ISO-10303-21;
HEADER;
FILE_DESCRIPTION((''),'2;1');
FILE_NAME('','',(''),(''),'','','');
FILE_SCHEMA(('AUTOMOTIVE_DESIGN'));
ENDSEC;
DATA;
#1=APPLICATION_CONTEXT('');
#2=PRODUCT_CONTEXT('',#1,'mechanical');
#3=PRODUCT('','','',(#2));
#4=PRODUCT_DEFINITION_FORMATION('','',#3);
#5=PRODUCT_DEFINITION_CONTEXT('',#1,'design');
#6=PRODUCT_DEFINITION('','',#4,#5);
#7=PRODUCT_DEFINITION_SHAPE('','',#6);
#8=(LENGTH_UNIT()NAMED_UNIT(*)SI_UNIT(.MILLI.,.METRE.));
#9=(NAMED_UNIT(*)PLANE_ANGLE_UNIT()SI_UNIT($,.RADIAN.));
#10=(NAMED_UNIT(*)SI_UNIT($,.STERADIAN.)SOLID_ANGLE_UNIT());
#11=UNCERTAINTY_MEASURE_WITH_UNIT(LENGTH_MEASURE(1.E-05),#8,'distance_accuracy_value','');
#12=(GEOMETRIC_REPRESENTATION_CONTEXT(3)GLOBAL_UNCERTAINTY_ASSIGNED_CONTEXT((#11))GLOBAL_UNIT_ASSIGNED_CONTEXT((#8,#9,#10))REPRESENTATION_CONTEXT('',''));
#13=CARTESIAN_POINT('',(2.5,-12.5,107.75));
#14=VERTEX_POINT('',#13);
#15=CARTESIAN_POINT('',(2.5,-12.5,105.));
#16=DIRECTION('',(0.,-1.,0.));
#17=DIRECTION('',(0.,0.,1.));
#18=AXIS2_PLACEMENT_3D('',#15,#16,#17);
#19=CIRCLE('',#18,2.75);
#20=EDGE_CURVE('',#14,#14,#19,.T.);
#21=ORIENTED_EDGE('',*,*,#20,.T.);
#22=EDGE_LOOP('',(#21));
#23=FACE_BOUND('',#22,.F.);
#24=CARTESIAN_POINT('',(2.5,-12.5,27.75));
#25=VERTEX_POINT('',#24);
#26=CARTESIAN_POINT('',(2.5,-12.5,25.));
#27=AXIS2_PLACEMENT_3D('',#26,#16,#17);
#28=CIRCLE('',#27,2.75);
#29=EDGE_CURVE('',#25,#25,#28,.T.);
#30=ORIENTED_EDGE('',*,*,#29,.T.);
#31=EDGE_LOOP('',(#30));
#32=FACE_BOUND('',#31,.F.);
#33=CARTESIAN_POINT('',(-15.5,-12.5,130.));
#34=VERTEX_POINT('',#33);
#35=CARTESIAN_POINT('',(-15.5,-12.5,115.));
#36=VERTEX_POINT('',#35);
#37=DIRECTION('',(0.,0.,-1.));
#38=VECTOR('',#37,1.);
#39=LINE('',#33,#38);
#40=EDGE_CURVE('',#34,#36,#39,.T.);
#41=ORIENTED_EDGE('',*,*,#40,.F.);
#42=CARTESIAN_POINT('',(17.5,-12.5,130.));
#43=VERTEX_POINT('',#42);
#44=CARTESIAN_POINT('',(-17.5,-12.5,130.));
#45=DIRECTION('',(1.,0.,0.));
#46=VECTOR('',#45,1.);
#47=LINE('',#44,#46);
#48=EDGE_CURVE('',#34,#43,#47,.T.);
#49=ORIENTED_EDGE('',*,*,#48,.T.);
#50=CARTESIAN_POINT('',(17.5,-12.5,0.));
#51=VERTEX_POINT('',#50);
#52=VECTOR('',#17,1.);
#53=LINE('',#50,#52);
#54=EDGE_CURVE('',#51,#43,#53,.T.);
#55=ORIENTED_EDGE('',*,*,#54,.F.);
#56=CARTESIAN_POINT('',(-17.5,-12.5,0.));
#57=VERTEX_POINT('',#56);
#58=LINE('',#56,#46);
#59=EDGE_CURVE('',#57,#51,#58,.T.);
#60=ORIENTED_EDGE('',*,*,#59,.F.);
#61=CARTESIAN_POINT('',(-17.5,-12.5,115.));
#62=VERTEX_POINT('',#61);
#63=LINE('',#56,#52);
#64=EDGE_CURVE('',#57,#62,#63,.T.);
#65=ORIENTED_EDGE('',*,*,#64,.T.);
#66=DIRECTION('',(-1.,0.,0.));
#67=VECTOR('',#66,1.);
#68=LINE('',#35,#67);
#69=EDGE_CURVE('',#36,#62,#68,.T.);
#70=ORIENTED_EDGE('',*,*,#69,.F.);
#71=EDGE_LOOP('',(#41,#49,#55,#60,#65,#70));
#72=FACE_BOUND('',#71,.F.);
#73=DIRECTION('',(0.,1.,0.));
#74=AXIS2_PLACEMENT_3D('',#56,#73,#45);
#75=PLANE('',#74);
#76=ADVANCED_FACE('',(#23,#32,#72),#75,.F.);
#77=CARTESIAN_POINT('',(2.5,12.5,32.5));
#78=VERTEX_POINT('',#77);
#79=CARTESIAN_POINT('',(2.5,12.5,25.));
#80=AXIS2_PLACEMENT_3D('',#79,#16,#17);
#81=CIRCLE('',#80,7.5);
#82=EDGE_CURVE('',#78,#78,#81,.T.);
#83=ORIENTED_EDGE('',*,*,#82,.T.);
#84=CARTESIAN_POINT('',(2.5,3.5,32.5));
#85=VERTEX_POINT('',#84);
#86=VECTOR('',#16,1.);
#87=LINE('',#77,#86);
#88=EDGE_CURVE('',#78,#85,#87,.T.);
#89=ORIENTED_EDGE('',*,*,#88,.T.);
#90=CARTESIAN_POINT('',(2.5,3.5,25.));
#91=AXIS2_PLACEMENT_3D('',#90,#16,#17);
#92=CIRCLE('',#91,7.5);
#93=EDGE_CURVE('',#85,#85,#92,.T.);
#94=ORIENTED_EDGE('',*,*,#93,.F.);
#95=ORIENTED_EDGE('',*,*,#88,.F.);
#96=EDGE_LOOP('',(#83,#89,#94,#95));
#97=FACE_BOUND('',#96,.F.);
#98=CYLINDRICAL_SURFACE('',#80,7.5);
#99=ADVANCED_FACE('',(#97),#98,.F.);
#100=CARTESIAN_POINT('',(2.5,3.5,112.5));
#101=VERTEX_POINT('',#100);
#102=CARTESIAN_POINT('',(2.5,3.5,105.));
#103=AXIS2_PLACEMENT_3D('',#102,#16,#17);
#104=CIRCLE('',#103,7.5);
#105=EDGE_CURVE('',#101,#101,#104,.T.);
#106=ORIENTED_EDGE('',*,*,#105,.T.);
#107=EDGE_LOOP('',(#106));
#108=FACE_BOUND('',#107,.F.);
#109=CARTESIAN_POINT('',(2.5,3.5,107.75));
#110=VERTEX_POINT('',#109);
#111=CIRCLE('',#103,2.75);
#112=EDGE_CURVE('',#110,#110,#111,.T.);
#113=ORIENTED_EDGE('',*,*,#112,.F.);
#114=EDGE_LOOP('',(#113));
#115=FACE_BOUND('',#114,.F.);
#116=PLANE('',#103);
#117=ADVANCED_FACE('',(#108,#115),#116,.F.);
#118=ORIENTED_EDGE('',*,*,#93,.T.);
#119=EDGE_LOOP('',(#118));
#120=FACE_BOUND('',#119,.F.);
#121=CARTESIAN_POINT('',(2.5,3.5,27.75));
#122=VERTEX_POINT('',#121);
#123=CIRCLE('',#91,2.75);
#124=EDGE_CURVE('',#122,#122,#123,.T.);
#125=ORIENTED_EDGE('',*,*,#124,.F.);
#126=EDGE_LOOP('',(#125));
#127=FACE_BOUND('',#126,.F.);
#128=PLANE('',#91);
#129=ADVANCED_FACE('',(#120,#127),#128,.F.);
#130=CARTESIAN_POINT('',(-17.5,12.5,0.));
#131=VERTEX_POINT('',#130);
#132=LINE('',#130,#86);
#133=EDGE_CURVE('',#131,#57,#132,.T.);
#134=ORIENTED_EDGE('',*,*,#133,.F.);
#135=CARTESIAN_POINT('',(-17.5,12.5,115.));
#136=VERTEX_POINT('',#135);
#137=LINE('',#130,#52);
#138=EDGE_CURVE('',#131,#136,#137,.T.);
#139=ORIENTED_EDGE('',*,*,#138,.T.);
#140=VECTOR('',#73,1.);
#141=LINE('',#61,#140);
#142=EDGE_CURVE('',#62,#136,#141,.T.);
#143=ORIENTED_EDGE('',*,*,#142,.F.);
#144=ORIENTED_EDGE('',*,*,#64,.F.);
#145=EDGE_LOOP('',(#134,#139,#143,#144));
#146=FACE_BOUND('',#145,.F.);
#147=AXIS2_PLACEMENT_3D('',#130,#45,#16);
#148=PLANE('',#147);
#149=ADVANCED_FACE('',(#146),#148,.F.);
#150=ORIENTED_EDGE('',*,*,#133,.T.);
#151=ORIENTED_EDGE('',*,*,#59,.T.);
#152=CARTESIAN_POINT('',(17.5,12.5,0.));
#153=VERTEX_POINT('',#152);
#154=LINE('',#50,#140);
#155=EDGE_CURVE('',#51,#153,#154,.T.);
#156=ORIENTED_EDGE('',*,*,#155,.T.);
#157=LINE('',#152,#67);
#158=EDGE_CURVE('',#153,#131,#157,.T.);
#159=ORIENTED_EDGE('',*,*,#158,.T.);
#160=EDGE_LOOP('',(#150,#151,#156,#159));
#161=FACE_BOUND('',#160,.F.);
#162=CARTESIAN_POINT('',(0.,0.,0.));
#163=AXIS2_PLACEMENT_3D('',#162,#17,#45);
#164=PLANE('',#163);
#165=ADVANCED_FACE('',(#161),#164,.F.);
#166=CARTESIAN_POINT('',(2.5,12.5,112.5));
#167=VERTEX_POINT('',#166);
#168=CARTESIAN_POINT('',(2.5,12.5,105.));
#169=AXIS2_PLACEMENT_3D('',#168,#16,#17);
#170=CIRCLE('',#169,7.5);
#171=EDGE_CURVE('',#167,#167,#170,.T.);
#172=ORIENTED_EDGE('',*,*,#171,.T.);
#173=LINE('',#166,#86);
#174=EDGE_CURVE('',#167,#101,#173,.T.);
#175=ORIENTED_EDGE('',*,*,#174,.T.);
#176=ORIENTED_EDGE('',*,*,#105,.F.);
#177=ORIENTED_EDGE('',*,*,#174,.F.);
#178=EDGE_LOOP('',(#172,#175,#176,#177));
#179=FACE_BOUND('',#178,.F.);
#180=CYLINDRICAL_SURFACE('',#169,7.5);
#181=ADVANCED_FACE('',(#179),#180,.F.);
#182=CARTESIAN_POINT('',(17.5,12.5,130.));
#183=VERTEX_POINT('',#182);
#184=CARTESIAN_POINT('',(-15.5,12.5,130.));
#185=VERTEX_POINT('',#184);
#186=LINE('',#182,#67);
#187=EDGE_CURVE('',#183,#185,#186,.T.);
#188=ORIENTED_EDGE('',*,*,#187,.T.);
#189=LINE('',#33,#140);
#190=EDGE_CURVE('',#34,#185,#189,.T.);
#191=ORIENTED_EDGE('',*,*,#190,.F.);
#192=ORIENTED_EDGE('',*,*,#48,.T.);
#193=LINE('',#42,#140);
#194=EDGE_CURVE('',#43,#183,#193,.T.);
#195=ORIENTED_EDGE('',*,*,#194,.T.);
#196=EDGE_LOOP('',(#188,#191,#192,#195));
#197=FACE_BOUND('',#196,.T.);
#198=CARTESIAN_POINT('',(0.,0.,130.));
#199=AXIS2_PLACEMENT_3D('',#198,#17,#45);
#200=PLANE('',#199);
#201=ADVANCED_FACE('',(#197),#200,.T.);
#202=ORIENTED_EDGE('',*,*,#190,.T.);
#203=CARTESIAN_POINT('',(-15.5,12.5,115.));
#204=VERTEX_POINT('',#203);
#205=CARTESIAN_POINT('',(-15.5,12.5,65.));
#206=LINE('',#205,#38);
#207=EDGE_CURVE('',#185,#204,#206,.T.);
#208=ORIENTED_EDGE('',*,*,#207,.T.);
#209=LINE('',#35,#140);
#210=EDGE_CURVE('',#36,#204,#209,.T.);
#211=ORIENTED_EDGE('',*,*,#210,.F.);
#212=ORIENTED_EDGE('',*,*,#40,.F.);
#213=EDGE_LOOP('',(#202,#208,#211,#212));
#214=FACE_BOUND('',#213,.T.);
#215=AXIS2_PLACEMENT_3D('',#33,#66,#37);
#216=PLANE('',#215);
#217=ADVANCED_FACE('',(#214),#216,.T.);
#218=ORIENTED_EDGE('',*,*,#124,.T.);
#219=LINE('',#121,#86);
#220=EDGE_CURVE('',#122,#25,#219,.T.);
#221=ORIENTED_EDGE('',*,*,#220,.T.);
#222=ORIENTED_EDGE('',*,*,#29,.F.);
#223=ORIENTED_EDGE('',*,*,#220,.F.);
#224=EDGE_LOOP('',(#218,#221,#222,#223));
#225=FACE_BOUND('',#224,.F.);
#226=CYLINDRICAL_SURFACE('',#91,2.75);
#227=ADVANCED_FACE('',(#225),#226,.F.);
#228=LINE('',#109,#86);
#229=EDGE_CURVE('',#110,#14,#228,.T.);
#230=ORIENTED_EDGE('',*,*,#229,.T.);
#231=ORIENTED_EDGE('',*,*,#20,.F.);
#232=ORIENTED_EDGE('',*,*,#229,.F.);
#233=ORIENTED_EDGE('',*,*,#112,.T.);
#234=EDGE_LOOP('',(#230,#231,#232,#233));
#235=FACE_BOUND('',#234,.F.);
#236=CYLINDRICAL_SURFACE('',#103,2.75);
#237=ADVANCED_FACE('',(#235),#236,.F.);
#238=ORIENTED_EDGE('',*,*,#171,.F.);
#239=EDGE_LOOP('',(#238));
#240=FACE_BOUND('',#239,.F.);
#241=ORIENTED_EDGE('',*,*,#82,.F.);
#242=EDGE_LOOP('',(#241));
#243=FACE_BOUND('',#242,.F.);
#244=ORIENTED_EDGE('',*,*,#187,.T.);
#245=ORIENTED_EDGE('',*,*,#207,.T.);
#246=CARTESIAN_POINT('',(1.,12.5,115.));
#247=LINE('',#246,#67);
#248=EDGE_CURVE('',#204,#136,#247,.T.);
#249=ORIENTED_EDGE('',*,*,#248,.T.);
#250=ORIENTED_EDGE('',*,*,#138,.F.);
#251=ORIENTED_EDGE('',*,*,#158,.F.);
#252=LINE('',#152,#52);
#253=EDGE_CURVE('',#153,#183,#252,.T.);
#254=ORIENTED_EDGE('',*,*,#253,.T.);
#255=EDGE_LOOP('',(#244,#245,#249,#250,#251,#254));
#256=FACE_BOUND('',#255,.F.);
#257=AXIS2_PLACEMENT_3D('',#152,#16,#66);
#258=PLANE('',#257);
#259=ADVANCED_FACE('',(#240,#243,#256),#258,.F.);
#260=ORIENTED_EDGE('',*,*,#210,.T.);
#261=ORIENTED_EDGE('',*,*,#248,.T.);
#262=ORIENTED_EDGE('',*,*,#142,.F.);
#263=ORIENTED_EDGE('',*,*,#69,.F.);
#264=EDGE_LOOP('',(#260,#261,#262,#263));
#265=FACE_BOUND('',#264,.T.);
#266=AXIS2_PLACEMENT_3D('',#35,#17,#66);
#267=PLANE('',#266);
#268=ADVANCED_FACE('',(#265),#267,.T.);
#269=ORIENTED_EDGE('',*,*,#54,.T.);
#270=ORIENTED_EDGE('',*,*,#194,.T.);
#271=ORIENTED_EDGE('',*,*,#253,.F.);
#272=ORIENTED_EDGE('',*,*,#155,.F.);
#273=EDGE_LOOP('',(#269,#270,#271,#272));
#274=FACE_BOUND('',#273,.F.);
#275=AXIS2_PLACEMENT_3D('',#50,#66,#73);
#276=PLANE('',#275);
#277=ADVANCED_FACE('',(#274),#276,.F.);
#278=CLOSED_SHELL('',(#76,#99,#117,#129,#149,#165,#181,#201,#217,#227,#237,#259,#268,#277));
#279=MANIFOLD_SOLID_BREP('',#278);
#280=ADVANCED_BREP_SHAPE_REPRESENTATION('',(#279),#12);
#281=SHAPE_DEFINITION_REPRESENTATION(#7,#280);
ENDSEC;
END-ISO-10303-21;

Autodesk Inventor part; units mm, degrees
ref_plane "YZ Plane" through (0, 0, 0) normal (1, 0, 0) x (0, 1, 0)
ref_plane "XZ Plane" through (0, 0, 0) normal (0, 1, 0) x (-1, 0, 0)
ref_plane "XY Plane" through (0, 0, 0) normal (0, 0, 1) x (1, 0, 0)
sketch "Sketch1" plane through (0, 0, 0) normal (0, 0, 1) x (1, 0, 0)
  line L0 (-17.5, -12.5) -> (17.5, -12.5)
  line L1 (17.5, -12.5) -> (17.5, 12.5)
  line L2 (17.5, 12.5) -> (-17.5, 12.5)
  line L3 (-17.5, 12.5) -> (-17.5, -12.5)
  line L4 (-17.5, -12.5) -> (17.5, 12.5) construction
  line L5 (17.5, -12.5) -> (-17.5, 12.5) construction
  point P0 (0, 0)
  dimension "d0" = 35
  dimension "d1" = 25
extrude "Extrusion1" add sketch "Sketch1" along normal blind 130
sketch "Sketch2" plane through (-17.5, -12.5, 0) normal (0, -1, 0) x (1, 0, 0)
  line L0 (2, 115) -> (0, 115)
  line L1 (0, 115) -> (0, 130)
  line L2 (0, 130) -> (2, 130)
  line L3 (2, 130) -> (2, 115)
  line L4 (0, 0) -> (0, 130) projected
  line L5 (0, 130) -> (35, 130) projected
  point P0 (17.5, 0)
  dimension "d4" = 2
  dimension "d5" = 15
extrude "Extrusion2" cut sketch "Sketch2" against normal through all
sketch "Sketch3" plane through (-17.5, 12.5, 0) normal (0, 1, 0) x (1, 0, 0)
  line L0 (35, 0) -> (0, 0) projected
  line L1 (35, -130) -> (2, -130) projected
  line L2 (35, 0) -> (35, -130) projected
  point P0 (17.5, 0)
  point P1 (20, -25)
  point P2 (20, -105)
  dimension "d18" = 25
  dimension "d19" = 25
  dimension "d20" = 15
hole "Hole1" at (2.5, 12.5, 25) at (2.5, 12.5, 105) direction (0, -1, 0) diameter 5.5 end through all counterbore diameter 15 counterbore depth 9 clearance for "Socket Head Cap Screw ISO 4762" size "M5" standard "ISO"
equation "\"d19\" = d18"
properties part number "Distanzblock" material "Aluminum 6061"
